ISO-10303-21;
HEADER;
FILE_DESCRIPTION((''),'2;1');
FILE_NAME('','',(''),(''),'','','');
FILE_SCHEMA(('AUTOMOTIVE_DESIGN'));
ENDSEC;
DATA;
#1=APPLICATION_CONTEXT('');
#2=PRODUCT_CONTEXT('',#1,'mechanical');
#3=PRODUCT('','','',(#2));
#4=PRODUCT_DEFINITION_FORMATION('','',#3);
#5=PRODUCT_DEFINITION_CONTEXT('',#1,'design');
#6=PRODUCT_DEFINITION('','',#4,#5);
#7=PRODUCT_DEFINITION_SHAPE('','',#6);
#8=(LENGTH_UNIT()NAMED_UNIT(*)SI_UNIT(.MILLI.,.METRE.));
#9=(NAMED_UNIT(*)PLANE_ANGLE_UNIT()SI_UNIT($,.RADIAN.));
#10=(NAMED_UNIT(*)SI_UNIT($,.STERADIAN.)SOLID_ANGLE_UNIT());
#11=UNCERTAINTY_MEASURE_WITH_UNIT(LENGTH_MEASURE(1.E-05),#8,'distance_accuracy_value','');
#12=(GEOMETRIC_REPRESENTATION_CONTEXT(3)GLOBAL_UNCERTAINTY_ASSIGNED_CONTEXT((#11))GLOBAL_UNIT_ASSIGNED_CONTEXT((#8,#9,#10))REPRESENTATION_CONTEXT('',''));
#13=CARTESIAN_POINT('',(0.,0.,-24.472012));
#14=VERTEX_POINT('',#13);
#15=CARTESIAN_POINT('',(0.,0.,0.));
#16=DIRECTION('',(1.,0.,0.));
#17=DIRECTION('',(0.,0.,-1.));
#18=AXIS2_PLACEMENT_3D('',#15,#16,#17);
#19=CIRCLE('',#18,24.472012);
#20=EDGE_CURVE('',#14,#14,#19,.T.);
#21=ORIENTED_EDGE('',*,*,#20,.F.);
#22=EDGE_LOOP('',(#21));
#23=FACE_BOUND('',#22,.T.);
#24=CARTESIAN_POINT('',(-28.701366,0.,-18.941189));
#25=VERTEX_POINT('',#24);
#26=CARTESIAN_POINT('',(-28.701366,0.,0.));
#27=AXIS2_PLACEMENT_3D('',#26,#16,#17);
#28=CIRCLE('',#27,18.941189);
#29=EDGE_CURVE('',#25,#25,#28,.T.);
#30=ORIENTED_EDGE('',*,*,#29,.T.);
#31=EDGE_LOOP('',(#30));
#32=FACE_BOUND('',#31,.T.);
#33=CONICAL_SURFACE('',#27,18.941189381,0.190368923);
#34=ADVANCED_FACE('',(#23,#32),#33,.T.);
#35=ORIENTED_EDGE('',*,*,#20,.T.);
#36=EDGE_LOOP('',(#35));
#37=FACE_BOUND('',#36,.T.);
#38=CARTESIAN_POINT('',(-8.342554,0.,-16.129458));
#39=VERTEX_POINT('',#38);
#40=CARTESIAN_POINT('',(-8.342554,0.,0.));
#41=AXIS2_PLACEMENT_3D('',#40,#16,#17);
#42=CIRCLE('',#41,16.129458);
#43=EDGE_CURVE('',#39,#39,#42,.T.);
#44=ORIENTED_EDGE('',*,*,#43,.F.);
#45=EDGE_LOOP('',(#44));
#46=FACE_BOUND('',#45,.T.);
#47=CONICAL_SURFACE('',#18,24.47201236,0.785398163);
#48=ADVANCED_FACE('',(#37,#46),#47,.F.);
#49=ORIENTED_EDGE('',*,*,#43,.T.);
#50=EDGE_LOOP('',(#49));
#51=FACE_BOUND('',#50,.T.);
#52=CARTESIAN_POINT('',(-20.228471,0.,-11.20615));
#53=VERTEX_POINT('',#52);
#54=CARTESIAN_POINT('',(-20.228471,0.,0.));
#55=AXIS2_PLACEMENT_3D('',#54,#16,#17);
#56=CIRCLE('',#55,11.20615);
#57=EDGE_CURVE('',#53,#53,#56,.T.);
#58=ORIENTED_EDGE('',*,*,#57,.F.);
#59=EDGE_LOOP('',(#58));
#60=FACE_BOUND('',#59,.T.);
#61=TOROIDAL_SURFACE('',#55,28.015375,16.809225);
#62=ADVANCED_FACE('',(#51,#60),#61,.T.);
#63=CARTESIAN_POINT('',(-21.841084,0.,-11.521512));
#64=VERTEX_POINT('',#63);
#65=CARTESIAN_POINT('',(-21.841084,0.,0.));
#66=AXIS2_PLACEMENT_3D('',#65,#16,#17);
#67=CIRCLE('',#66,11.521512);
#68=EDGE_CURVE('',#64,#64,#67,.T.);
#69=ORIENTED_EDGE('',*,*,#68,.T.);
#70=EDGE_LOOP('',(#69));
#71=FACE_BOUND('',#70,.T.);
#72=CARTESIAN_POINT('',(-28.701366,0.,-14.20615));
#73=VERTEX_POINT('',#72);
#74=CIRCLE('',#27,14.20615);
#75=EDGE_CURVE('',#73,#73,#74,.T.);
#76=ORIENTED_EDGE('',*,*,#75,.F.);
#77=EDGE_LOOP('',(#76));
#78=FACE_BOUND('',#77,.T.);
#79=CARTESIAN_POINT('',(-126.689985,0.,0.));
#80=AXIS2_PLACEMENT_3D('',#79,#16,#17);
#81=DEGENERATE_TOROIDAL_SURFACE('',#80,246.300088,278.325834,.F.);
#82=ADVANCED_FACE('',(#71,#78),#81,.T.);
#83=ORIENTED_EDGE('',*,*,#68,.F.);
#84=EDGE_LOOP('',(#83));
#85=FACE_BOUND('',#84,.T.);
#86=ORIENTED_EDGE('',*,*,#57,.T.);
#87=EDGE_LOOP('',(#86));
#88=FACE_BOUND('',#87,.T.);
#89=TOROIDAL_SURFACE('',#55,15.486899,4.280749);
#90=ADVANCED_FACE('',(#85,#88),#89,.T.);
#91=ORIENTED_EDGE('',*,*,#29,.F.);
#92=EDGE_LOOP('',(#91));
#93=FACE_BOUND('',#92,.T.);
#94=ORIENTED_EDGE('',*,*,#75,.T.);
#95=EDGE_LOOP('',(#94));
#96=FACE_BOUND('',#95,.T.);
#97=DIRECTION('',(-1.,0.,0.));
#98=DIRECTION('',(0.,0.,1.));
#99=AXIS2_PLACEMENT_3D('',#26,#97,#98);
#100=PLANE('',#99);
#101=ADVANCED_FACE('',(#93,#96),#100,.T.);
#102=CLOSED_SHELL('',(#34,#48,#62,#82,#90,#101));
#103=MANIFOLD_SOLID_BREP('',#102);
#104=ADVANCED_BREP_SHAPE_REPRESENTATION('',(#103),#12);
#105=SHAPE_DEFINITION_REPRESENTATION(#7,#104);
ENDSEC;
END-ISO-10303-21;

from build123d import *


with BuildPart() as part:
    # Sketch1 → Revolve1 (revolve)
    with BuildSketch(Plane.XY, mode=Mode.PRIVATE) as revolve1_sk:
        with BuildLine():
            Line((0, 24.47201236), (-8.342554344, 16.129458016))
            ThreePointArc((-8.342554344, 16.129458016), (-13.795859409, 12.485676065), (-20.228471328, 11.20615))
            ThreePointArc((-20.228471328, 11.20615), (-21.050051224, 11.285730291), (-21.841084334, 11.521512325))
            ThreePointArc((-21.841084334, 11.521512325), (-25.262342288, 12.886529827), (-28.701365604, 14.20615))
            Line((-28.701365604, 14.20615), (-28.701365604, 18.941189381))
            Line((-28.701365604, 18.941189381), (0, 24.47201236))
        make_face()
    revolve(revolve1_sk.sketch.rotate(Axis((0, 0, 0), (-1, 0, 0)), 90), axis=Axis((0, 0, 0), (-1, 0, 0)))


solid = part.part
